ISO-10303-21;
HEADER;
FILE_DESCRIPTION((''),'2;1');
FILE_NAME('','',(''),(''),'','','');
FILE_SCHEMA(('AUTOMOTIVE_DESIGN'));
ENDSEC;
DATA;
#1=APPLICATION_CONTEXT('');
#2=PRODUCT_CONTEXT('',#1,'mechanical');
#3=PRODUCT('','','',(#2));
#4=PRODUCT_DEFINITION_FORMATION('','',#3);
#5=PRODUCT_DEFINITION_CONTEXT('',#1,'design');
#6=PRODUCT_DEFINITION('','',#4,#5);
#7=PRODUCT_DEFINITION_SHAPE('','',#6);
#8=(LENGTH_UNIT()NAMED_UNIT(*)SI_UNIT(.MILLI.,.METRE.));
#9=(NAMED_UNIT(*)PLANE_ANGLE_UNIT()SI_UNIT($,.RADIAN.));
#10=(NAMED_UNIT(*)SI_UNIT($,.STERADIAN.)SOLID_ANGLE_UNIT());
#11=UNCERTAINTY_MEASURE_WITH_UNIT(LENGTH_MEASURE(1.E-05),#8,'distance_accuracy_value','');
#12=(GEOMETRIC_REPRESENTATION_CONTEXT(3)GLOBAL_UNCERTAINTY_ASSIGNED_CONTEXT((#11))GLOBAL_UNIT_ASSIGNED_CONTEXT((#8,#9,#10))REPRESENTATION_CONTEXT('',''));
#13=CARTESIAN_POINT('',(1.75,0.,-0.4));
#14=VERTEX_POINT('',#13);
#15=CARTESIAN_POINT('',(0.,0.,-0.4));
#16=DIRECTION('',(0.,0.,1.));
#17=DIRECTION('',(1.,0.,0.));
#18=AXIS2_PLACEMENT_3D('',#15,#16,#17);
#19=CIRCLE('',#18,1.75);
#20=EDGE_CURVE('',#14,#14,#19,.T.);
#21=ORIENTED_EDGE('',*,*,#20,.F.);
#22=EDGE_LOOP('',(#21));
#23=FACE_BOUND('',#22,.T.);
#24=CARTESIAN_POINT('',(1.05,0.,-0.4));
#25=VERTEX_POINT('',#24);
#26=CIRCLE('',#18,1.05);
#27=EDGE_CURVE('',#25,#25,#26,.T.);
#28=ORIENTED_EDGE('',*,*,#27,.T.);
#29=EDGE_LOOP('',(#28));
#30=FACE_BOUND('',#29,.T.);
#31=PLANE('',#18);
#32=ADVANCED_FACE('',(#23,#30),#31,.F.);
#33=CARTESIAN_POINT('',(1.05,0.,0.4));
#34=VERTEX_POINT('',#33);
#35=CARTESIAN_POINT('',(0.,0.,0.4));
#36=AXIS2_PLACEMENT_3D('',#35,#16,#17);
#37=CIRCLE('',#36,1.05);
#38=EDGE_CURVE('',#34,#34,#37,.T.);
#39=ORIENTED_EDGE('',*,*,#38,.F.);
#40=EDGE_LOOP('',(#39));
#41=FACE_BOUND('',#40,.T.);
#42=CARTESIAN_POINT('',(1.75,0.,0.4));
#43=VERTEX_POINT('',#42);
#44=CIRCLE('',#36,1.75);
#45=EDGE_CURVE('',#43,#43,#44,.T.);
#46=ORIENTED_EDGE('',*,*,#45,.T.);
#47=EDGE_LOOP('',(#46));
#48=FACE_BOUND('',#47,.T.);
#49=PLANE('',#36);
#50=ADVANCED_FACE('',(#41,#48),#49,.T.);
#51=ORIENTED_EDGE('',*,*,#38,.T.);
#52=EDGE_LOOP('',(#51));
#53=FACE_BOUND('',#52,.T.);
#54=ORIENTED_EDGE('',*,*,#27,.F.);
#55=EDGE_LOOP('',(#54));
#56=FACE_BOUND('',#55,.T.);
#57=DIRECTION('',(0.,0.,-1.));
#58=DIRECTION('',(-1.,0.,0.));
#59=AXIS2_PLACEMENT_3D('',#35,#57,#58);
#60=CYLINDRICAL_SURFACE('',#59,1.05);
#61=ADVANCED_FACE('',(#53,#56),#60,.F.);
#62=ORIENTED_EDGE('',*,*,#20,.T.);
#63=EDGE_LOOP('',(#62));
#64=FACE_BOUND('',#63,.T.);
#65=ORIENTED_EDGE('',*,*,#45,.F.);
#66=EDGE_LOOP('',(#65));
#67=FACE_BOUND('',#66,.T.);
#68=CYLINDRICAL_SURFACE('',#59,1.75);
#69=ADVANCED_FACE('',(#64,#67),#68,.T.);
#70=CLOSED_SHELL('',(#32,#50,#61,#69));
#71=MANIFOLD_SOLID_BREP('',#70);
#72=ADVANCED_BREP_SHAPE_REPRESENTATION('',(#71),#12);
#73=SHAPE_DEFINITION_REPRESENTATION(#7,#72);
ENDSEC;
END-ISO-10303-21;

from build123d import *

# Parameters (mm, degrees)
ESQUISSE1_R        = 1.75
ESQUISSE1_R_2      = 1.05
BOSS_EXTRU_1_DEPTH = 0.4


with BuildPart() as part:
    # Esquisse1 → Boss.-Extru.1 (new body, symmetric)
    with BuildSketch(Plane.XY):
        Circle(ESQUISSE1_R)
        Circle(ESQUISSE1_R_2, mode=Mode.SUBTRACT)
    extrude(amount=BOSS_EXTRU_1_DEPTH, both=True)


solid = part.part
